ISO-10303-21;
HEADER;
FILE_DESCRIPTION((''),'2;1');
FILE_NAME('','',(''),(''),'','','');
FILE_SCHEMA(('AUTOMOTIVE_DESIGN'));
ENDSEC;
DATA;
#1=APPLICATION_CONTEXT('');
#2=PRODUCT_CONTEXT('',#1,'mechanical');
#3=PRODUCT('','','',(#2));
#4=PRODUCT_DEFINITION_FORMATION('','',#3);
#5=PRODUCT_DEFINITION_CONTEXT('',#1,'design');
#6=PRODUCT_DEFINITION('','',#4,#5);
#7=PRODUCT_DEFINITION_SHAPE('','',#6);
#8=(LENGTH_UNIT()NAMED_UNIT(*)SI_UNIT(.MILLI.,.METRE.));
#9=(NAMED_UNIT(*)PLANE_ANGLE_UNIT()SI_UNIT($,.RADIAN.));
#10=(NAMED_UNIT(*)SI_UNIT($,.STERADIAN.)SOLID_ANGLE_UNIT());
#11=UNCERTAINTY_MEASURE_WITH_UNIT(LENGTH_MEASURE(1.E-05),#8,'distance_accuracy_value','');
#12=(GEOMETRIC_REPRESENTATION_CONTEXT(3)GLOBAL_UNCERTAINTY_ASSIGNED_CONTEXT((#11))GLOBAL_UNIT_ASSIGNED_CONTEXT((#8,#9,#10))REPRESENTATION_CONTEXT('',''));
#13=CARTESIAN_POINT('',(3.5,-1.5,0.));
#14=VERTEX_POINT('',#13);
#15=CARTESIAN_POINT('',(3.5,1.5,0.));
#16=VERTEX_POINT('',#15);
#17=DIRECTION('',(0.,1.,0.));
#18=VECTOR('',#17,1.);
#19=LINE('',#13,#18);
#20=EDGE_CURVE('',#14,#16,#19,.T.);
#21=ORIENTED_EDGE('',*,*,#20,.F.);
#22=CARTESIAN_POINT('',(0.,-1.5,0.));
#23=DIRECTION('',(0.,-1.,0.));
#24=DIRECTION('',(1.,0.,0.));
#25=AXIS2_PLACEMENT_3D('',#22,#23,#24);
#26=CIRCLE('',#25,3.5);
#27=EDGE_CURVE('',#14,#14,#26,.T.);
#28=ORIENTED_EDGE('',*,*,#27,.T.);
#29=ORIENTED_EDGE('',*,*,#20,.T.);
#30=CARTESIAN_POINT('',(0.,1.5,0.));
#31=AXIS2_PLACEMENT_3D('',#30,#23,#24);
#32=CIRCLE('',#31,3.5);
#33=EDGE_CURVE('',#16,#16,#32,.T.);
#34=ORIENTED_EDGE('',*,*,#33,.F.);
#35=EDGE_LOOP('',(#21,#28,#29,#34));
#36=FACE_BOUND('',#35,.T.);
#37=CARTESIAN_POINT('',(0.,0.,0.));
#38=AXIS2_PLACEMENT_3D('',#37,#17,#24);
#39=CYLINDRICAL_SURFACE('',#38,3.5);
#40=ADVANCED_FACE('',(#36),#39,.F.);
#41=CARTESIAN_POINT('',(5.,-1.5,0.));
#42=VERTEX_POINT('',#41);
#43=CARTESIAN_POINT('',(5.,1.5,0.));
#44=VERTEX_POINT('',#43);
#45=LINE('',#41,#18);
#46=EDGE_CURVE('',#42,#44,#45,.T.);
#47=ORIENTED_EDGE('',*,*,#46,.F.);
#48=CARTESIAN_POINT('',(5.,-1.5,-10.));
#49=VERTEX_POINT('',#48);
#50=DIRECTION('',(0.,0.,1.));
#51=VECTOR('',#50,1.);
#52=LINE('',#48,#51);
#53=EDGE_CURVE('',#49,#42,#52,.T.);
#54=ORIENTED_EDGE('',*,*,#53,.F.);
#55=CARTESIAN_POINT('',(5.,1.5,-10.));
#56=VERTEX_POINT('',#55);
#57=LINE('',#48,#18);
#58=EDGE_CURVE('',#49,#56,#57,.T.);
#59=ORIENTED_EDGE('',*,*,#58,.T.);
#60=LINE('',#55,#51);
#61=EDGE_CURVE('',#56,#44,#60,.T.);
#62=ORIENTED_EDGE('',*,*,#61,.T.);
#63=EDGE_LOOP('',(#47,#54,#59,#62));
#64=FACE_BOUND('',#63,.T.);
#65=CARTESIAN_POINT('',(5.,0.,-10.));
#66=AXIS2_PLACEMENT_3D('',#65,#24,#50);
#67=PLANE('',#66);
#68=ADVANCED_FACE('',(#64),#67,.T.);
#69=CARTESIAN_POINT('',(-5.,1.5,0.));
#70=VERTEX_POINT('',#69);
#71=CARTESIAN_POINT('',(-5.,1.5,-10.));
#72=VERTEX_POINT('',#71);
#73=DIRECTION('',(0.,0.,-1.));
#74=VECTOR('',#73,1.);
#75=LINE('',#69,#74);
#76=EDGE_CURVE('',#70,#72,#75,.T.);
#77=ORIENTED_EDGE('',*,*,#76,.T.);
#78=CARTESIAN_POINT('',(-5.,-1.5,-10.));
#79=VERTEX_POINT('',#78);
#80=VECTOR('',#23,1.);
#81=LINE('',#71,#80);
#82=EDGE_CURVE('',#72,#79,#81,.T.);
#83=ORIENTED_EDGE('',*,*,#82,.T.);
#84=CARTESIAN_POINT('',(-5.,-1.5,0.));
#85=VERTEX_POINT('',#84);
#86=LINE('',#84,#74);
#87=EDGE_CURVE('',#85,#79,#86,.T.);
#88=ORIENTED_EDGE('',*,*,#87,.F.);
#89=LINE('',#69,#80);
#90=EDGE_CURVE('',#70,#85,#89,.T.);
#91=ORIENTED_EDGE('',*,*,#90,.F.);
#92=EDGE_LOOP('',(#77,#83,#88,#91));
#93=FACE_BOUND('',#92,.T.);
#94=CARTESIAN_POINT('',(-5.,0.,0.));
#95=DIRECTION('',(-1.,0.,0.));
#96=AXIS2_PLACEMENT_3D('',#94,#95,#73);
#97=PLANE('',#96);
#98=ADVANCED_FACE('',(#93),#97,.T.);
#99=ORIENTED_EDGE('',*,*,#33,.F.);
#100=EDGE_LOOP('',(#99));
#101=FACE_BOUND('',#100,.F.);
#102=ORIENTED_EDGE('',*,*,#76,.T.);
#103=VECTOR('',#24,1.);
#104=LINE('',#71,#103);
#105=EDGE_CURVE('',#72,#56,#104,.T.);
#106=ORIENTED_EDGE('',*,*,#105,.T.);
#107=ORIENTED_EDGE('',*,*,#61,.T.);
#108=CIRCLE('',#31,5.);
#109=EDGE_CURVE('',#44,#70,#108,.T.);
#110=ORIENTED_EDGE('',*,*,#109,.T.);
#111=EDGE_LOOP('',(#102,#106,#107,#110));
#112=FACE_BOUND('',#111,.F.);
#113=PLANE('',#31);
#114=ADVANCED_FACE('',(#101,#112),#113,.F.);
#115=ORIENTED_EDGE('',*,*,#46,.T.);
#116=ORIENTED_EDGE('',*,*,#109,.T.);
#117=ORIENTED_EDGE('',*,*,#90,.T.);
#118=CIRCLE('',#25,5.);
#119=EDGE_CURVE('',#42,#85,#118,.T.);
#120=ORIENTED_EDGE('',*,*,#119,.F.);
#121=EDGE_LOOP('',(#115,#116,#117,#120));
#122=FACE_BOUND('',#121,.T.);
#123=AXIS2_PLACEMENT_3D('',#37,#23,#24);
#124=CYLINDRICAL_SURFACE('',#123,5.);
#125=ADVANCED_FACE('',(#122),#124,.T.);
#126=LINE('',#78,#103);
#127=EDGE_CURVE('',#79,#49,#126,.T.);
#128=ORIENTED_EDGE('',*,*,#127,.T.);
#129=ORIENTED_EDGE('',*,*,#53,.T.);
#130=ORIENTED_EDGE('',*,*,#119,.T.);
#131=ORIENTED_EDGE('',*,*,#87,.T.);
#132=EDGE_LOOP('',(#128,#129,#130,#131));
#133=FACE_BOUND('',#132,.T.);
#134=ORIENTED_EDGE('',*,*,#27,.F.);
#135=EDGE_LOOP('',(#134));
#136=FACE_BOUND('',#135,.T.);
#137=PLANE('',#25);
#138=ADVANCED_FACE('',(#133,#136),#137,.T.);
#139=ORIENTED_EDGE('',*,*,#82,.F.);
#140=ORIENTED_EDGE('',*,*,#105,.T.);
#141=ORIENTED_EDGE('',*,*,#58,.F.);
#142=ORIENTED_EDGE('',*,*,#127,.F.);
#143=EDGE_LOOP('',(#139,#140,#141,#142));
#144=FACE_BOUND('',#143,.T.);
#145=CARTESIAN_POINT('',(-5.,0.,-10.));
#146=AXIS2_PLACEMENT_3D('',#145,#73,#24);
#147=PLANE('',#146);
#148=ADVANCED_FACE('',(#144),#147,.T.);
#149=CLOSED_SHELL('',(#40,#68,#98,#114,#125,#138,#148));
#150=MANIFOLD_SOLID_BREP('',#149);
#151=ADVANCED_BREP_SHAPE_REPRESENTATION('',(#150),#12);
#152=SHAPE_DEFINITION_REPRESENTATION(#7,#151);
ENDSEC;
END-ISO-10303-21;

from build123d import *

# Parameters (mm, degrees)
F0_R     = 3.5
F1_DEPTH = 1.5


with BuildPart() as f1:
    # F0 (on Front) → F1 (new body, symmetric)
    with BuildSketch(Plane.XZ):
        with BuildLine():
            ThreePointArc((-5, 0), (0, -5), (5, 0))
            ThreePointArc((5, 0), (0, 5), (-5, 0))
        make_face()
        Circle(F0_R, mode=Mode.SUBTRACT)
        with BuildLine():
            Line((5, -10), (5, 0))
            ThreePointArc((5, 0), (0, -5), (-5, 0))
            Line((-5, 0), (-5, -10))
            Line((-5, -10), (5, -10))
        make_face()
    extrude(amount=F1_DEPTH, both=True)


solid = f1.part
